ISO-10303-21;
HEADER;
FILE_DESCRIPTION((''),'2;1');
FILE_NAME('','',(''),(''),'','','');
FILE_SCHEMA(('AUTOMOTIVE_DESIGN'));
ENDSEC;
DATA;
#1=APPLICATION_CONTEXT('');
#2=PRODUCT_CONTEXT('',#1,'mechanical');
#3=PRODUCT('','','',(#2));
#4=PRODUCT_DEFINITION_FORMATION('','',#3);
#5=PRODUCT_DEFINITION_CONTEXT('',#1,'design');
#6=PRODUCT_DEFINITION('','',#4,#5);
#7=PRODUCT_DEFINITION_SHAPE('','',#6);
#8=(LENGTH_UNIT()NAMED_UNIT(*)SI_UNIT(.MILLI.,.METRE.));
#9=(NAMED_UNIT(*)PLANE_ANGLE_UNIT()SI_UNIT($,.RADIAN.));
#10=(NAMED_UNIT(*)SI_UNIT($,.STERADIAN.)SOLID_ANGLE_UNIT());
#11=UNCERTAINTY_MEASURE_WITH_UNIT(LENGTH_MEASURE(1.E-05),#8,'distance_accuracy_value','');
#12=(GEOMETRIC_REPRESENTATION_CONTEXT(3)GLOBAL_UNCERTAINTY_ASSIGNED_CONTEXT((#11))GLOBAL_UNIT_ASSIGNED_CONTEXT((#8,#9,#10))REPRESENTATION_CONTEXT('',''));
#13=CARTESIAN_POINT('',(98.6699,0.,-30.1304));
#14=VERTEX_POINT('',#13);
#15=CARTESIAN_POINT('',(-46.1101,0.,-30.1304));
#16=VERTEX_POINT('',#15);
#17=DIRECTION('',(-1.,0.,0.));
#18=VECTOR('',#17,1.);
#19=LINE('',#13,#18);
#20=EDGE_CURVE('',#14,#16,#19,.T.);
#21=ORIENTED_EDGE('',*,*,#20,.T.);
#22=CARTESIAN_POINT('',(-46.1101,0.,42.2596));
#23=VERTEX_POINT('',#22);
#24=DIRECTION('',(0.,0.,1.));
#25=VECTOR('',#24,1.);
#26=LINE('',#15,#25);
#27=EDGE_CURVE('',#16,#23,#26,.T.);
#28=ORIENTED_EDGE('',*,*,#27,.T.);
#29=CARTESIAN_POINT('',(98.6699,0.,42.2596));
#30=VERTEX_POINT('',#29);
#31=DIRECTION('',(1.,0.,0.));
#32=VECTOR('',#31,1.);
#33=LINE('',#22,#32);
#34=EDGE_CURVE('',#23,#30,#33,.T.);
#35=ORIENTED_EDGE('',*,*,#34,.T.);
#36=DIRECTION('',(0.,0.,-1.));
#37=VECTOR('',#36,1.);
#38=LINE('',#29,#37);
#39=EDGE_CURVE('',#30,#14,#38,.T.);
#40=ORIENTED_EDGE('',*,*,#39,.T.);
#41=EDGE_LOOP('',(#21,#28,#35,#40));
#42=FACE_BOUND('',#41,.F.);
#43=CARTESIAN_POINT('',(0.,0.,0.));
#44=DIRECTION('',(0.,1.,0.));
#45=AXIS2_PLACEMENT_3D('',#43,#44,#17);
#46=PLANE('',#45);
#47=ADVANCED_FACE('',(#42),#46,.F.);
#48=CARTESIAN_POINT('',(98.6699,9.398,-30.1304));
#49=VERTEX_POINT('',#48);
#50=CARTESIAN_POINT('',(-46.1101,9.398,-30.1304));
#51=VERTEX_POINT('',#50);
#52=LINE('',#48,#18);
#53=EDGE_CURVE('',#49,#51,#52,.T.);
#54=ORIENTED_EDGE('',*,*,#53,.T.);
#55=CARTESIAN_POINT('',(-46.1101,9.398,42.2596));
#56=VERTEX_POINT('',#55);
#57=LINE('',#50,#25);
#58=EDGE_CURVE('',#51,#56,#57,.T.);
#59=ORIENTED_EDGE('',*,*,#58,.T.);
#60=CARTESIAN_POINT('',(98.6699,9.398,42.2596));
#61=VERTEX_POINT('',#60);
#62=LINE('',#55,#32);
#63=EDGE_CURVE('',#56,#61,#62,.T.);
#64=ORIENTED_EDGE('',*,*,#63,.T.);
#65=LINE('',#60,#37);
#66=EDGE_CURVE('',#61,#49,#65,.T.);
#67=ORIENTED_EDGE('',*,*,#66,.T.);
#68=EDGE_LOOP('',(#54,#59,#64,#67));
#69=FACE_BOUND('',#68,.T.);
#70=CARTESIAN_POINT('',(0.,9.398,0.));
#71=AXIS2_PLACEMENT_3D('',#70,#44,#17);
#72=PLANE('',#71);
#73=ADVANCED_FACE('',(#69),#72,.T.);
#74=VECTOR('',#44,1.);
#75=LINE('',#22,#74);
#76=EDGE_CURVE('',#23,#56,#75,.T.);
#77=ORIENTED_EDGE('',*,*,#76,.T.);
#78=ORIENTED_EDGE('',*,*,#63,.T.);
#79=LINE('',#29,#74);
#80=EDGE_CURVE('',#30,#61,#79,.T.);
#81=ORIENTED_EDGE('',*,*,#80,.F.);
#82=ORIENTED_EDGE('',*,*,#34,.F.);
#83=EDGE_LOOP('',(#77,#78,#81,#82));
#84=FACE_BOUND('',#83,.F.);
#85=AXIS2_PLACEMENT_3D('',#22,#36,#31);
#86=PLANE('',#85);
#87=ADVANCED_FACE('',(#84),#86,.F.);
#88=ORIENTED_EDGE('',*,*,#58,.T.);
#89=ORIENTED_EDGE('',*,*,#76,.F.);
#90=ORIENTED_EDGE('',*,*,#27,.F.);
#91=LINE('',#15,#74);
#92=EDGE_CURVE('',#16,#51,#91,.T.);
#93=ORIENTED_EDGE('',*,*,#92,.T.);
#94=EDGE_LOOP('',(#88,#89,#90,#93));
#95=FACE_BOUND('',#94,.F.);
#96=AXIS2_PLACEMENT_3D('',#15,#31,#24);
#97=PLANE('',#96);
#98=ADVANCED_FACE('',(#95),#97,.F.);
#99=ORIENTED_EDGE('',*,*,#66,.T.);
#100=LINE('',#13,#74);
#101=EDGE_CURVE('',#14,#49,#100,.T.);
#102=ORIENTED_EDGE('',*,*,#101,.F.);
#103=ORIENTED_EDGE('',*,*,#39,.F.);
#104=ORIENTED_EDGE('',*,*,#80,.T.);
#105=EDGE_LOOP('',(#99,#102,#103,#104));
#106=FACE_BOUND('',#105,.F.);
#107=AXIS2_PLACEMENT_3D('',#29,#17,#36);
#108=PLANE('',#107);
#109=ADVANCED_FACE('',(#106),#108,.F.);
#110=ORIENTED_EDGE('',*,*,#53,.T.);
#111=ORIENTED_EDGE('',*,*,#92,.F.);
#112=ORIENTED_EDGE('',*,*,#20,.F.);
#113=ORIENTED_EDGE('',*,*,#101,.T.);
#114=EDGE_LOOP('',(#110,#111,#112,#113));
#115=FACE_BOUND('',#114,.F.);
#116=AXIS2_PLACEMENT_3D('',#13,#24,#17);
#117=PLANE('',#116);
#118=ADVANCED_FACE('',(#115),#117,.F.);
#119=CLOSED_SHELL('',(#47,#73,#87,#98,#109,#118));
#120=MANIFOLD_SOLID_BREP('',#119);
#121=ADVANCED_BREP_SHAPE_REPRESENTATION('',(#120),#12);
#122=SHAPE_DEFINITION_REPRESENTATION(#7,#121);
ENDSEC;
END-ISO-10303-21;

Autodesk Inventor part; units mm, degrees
ref_plane "YZ Plane" through (0, 0, 0) normal (1, 0, 0) x (0, 1, 0)
ref_plane "XZ Plane" through (0, 0, 0) normal (0, 1, 0) x (-1, 0, 0)
ref_plane "XY Plane" through (0, 0, 0) normal (0, 0, 1) x (1, 0, 0)
sketch "Sketch1" plane through (0, 0, 0) normal (0, 1, 0) x (-1, 0, 0)
  line L0 (46.1101, 42.2596) -> (-98.6699, 42.2596)
  line L1 (-98.6699, 42.2596) -> (-98.6699, -30.1304)
  line L2 (-98.6699, -30.1304) -> (46.1101, -30.1304)
  line L3 (46.1101, -30.1304) -> (46.1101, 42.2596)
  point P0 (0, 0)
  dimension "d2" = 72.39
  dimension "d3" = 144.78
extrude "Extrusion1" add sketch "Sketch1" along normal blind 9.398
properties part number "Phone"
